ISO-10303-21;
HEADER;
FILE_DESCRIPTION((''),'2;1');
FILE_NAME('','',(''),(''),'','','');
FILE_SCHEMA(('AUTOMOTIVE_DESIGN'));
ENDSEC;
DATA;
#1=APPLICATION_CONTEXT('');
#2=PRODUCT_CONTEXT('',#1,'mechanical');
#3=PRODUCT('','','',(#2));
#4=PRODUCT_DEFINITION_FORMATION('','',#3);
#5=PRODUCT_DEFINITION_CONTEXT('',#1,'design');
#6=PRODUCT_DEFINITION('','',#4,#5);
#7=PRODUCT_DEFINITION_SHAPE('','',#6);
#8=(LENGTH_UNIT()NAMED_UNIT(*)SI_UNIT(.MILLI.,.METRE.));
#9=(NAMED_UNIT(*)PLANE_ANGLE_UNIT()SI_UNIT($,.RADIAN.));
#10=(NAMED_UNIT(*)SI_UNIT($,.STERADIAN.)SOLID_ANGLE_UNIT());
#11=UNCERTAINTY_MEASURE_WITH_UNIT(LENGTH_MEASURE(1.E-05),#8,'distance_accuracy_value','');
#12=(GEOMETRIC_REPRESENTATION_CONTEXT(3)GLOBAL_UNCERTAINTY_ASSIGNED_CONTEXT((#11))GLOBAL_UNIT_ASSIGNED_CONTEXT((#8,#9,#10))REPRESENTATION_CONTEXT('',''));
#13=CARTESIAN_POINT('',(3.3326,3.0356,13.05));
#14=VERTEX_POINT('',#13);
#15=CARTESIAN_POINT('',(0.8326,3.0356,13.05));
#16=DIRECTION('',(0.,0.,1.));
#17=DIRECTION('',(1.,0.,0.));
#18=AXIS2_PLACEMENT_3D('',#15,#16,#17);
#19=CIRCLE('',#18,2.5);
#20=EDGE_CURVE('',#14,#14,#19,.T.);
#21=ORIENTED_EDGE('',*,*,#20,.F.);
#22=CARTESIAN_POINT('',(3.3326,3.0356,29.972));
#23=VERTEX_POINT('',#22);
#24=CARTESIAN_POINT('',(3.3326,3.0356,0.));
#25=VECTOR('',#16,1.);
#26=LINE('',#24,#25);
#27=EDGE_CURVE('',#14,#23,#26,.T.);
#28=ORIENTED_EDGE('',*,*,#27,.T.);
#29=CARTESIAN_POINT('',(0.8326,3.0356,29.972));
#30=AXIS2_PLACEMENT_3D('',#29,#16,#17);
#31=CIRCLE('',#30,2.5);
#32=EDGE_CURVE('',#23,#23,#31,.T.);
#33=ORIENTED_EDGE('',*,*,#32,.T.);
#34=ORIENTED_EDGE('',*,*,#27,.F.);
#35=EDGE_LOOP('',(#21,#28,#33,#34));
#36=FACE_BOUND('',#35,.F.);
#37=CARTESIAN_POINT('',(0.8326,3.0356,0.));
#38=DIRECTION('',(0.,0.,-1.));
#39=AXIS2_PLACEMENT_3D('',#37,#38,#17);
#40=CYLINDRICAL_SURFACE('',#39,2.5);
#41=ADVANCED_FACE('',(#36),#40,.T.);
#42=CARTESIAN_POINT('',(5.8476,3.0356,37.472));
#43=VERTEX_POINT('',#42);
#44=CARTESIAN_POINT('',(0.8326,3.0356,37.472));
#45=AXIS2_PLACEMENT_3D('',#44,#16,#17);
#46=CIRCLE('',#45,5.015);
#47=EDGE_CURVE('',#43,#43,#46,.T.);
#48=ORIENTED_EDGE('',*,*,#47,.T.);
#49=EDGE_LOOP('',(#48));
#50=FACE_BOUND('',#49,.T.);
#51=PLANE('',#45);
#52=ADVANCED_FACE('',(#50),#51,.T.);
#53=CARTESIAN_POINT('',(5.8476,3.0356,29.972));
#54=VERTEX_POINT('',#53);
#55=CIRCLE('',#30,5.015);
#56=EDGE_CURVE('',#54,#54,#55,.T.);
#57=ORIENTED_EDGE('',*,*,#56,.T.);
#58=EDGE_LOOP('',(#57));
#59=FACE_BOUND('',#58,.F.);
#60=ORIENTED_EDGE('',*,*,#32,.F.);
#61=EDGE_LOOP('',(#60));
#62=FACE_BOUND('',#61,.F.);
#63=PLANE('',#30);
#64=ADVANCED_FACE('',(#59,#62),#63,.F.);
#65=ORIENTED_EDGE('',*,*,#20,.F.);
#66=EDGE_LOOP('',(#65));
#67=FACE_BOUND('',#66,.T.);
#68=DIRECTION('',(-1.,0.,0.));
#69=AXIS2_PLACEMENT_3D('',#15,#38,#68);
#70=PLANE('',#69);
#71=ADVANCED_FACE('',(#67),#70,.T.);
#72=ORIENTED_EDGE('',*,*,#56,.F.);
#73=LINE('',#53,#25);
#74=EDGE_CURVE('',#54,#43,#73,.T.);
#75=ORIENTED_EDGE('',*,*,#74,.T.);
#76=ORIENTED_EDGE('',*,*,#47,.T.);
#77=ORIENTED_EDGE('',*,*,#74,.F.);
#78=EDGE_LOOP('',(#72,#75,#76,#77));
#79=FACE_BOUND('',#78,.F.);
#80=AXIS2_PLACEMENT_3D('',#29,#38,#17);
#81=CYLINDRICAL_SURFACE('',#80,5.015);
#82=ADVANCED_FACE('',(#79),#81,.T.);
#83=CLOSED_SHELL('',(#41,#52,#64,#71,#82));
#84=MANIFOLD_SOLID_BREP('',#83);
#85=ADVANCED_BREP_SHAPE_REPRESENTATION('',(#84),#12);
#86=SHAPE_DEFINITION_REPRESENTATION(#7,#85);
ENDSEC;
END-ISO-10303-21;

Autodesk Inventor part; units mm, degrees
ref_plane "YZ Plane" through (0, 0, 0) normal (1, 0, 0) x (0, 1, 0)
ref_plane "XZ Plane" through (0, 0, 0) normal (0, 1, 0) x (-1, 0, 0)
ref_plane "XY Plane" through (0, 0, 0) normal (0, 0, 1) x (1, 0, 0)
sketch "Sketch1" plane through (0, 0, 0) normal (0, 0, 1) x (1, 0, 0)
  circle A0 centre (0.8326, 3.0356) radius 2.5
  point P0 (0, 0)
  dimension "d0" = 5
extrude "Extrusion1" add sketch "Sketch1" along normal blind 29.972
sketch "Sketch2" plane through (0.8326, 3.0356, 29.972) normal (0, 0, 1) x (1, 0, 0)
  circle A0 centre (0, 0) radius 2.5 projected
  circle A1 centre (0, 0) radius 5.015
  point P0 (-0.8326, -3.0356)
extrude "Extrusion2" add sketch "Sketch2" along normal blind 7.5 contours A0 | A1
sketch "Sketch3" plane through (0.8326, 3.0356, 0) normal (0, 0, -1) x (-1, 0, 0)
  circle A0 centre (0, 0) radius 5.015 projected
  circle A1 centre (0, 0) radius 2.5 projected
  circle A2 centre (0, 0) radius 2.5 projected
  point P0 (0.8326, -3.0356)
extrude "Extrusion3" add sketch "Sketch3" along normal blind 6 contours A1
sketch "Sketch4" plane through (0.8326, 3.0356, -6) normal (0, 0, -1) x (-1, 0, 0)
  circle A0 centre (0, 0) radius 2.5 projected
  point P0 (0.8326, -3.0356)
extrude "Extrusion4" cut sketch "Sketch4" against normal blind 19.05
properties part number "5mm_bolt_short" material "Steel, Alloy"
